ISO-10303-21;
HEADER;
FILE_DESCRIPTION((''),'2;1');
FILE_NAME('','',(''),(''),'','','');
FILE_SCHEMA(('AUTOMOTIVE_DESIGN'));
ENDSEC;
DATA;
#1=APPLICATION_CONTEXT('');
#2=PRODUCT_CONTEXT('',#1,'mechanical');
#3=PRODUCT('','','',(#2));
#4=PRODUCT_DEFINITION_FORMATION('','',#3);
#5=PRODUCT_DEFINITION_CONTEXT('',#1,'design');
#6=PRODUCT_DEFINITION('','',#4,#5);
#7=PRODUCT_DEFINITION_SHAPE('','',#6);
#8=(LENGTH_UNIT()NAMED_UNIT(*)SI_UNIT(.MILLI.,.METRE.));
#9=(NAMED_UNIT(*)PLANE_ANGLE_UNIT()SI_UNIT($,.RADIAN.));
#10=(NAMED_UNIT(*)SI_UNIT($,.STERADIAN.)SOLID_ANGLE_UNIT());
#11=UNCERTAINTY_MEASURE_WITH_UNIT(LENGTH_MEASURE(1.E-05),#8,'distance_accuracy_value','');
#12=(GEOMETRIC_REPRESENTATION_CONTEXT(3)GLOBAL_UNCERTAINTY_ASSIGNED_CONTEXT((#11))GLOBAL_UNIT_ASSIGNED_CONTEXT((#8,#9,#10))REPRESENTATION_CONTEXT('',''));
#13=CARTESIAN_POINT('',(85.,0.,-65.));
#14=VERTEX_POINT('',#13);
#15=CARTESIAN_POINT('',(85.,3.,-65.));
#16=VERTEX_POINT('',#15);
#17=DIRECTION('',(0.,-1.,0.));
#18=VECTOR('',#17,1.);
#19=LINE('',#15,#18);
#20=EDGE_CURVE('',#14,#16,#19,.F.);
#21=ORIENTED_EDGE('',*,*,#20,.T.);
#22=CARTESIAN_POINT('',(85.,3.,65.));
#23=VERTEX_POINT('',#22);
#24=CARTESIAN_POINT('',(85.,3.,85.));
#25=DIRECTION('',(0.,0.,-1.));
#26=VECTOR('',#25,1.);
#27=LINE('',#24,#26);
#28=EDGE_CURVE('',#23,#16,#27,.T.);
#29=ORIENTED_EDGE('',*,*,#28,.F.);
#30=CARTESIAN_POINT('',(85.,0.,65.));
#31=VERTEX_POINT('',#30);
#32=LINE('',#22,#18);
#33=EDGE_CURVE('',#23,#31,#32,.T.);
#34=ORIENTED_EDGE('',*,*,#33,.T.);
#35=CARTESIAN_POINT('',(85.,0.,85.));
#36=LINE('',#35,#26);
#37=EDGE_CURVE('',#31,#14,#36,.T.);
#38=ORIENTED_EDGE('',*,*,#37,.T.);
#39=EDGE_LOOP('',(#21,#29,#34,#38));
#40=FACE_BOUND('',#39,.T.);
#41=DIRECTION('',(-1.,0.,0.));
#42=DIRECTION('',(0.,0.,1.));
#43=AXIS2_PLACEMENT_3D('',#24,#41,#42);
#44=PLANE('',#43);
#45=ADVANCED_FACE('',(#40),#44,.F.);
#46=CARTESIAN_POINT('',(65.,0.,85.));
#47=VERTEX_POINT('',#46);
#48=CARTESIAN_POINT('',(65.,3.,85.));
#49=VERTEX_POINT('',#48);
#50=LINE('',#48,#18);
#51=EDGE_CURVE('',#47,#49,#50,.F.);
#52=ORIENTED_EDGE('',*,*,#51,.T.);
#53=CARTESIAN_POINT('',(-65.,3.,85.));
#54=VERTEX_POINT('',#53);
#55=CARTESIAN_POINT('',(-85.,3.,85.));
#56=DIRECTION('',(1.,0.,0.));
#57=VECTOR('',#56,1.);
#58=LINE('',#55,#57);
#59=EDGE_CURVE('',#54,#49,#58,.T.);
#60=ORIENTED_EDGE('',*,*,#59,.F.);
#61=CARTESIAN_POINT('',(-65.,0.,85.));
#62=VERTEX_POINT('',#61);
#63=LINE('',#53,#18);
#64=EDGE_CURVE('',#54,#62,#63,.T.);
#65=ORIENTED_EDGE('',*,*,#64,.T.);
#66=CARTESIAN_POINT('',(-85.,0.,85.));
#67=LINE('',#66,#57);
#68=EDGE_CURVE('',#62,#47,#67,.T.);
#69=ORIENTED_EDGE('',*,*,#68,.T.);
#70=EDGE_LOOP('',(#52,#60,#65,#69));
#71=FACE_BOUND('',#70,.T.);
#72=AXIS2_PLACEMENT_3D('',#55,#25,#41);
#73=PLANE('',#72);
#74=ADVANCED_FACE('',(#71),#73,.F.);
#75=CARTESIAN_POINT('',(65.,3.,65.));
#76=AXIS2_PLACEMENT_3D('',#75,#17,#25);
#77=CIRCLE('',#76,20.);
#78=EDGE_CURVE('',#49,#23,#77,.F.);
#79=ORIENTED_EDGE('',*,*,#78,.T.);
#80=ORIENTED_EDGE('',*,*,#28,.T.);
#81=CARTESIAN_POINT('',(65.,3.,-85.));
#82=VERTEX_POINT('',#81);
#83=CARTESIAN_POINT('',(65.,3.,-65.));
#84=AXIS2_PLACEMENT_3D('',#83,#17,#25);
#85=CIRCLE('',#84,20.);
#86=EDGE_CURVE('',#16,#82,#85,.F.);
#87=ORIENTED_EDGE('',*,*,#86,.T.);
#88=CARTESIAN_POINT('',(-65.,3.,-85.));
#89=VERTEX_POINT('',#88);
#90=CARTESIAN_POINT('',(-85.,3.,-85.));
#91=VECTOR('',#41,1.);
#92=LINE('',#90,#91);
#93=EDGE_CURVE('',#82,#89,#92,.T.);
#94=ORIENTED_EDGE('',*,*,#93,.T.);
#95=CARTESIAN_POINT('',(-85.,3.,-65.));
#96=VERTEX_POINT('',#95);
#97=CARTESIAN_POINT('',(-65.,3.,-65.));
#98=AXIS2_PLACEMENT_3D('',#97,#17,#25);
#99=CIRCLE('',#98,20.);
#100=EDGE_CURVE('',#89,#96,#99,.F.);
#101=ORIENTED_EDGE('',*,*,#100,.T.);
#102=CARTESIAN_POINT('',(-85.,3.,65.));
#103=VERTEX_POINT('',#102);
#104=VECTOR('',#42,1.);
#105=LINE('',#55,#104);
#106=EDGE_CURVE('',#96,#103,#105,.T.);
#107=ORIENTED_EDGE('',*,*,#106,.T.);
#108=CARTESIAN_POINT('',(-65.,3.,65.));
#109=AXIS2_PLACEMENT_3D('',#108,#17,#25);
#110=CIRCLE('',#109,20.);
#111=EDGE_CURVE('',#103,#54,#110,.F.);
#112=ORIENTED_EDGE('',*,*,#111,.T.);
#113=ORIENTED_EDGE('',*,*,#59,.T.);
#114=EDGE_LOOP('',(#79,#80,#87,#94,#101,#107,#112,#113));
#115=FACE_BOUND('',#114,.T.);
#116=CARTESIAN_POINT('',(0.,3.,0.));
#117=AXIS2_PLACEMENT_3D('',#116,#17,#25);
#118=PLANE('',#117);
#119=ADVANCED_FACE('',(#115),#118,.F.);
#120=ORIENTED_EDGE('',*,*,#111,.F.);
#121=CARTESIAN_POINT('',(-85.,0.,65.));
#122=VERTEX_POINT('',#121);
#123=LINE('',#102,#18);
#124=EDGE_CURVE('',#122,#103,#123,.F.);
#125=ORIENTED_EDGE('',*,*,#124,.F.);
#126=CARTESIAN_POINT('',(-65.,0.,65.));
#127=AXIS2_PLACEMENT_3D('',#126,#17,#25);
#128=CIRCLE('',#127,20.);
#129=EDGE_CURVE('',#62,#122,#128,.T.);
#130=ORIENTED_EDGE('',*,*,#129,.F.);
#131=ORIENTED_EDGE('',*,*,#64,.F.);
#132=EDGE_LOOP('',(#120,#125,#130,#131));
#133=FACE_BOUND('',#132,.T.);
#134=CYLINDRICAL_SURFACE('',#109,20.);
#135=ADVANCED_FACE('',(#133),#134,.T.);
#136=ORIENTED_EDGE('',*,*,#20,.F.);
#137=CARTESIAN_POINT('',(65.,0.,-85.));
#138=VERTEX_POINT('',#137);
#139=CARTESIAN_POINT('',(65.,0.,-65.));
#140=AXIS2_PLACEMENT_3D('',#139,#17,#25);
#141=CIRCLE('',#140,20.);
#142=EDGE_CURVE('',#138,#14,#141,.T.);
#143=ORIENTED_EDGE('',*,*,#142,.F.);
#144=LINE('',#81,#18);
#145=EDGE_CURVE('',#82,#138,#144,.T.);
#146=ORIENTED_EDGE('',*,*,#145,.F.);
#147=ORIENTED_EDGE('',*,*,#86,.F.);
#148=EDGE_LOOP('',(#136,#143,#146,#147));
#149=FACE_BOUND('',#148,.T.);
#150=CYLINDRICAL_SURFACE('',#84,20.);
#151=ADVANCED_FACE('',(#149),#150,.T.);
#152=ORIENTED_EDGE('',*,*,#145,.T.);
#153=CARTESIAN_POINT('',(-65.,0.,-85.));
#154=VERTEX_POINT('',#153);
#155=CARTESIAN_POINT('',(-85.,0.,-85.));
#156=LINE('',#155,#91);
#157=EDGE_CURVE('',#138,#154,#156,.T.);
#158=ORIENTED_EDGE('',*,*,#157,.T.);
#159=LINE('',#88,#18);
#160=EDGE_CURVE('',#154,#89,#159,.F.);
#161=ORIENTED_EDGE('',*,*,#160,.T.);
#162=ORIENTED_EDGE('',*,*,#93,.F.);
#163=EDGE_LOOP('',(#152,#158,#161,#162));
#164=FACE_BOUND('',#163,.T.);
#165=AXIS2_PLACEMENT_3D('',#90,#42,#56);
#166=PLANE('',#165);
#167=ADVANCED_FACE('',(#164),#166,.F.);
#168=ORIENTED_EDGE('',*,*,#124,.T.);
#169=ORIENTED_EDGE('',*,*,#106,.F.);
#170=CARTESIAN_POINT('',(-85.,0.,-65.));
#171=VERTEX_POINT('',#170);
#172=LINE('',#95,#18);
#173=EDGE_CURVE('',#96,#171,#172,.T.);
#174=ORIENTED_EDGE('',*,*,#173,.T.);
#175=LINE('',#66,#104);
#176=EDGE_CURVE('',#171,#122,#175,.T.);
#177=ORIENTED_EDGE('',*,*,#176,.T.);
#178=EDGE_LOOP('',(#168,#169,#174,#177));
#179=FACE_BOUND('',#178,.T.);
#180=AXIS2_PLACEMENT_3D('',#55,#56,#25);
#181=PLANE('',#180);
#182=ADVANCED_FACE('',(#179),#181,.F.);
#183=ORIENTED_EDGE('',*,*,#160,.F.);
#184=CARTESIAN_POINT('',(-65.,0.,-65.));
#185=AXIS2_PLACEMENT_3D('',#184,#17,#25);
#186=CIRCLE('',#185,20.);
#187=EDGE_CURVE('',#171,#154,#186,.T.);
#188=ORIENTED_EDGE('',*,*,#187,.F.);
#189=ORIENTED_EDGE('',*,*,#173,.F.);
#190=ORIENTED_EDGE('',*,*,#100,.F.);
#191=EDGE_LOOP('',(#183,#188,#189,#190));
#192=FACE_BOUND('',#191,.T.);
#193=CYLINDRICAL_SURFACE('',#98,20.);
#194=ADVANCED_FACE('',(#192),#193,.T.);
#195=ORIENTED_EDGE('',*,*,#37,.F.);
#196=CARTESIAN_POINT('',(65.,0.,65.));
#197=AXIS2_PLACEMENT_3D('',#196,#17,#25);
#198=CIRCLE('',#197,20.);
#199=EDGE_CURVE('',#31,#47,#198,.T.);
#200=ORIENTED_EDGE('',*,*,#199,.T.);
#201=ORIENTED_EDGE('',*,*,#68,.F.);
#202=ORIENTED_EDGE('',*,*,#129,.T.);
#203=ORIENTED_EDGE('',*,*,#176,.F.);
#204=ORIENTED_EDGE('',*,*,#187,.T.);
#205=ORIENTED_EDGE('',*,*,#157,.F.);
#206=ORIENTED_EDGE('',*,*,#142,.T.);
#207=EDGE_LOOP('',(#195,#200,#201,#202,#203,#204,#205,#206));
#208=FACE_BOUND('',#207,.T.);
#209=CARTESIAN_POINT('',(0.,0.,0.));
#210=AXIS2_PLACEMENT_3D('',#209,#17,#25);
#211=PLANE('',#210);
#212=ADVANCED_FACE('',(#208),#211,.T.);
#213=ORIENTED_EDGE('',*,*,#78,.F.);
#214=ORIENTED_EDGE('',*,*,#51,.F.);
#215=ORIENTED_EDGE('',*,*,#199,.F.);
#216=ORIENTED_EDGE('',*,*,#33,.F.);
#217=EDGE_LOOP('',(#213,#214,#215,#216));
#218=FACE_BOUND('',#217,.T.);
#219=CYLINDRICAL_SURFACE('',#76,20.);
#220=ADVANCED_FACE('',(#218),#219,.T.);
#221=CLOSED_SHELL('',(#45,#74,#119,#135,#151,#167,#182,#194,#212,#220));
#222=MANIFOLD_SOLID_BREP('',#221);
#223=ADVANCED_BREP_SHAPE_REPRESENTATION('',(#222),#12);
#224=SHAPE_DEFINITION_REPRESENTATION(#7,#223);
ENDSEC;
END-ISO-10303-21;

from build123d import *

# Parameters (mm, degrees)
SKETCH1_W           = 170
SKETCH1_H           = 170
BOSS_EXTRUDE4_DEPTH = 3
FILLET1_R           = 20


with BuildPart() as part:
    # Sketch1 → Boss-Extrude4 (new body)
    with BuildSketch(Plane(origin=(0, 0, 0), x_dir=(1, 0, 0), z_dir=(0, 1, 0))):
        Rectangle(SKETCH1_W, SKETCH1_H)
    extrude(amount=BOSS_EXTRUDE4_DEPTH)

    # Fillet1
    fillet1_edges = [part.edges().sort_by_distance(p)[0] for p in [
        (85, 1.5, 85),
        (-85, 1.5, 85),
        (-85, 1.5, -85),
        (85, 1.5, -85),
    ]]
    fillet(fillet1_edges, radius=FILLET1_R)


solid = part.part
